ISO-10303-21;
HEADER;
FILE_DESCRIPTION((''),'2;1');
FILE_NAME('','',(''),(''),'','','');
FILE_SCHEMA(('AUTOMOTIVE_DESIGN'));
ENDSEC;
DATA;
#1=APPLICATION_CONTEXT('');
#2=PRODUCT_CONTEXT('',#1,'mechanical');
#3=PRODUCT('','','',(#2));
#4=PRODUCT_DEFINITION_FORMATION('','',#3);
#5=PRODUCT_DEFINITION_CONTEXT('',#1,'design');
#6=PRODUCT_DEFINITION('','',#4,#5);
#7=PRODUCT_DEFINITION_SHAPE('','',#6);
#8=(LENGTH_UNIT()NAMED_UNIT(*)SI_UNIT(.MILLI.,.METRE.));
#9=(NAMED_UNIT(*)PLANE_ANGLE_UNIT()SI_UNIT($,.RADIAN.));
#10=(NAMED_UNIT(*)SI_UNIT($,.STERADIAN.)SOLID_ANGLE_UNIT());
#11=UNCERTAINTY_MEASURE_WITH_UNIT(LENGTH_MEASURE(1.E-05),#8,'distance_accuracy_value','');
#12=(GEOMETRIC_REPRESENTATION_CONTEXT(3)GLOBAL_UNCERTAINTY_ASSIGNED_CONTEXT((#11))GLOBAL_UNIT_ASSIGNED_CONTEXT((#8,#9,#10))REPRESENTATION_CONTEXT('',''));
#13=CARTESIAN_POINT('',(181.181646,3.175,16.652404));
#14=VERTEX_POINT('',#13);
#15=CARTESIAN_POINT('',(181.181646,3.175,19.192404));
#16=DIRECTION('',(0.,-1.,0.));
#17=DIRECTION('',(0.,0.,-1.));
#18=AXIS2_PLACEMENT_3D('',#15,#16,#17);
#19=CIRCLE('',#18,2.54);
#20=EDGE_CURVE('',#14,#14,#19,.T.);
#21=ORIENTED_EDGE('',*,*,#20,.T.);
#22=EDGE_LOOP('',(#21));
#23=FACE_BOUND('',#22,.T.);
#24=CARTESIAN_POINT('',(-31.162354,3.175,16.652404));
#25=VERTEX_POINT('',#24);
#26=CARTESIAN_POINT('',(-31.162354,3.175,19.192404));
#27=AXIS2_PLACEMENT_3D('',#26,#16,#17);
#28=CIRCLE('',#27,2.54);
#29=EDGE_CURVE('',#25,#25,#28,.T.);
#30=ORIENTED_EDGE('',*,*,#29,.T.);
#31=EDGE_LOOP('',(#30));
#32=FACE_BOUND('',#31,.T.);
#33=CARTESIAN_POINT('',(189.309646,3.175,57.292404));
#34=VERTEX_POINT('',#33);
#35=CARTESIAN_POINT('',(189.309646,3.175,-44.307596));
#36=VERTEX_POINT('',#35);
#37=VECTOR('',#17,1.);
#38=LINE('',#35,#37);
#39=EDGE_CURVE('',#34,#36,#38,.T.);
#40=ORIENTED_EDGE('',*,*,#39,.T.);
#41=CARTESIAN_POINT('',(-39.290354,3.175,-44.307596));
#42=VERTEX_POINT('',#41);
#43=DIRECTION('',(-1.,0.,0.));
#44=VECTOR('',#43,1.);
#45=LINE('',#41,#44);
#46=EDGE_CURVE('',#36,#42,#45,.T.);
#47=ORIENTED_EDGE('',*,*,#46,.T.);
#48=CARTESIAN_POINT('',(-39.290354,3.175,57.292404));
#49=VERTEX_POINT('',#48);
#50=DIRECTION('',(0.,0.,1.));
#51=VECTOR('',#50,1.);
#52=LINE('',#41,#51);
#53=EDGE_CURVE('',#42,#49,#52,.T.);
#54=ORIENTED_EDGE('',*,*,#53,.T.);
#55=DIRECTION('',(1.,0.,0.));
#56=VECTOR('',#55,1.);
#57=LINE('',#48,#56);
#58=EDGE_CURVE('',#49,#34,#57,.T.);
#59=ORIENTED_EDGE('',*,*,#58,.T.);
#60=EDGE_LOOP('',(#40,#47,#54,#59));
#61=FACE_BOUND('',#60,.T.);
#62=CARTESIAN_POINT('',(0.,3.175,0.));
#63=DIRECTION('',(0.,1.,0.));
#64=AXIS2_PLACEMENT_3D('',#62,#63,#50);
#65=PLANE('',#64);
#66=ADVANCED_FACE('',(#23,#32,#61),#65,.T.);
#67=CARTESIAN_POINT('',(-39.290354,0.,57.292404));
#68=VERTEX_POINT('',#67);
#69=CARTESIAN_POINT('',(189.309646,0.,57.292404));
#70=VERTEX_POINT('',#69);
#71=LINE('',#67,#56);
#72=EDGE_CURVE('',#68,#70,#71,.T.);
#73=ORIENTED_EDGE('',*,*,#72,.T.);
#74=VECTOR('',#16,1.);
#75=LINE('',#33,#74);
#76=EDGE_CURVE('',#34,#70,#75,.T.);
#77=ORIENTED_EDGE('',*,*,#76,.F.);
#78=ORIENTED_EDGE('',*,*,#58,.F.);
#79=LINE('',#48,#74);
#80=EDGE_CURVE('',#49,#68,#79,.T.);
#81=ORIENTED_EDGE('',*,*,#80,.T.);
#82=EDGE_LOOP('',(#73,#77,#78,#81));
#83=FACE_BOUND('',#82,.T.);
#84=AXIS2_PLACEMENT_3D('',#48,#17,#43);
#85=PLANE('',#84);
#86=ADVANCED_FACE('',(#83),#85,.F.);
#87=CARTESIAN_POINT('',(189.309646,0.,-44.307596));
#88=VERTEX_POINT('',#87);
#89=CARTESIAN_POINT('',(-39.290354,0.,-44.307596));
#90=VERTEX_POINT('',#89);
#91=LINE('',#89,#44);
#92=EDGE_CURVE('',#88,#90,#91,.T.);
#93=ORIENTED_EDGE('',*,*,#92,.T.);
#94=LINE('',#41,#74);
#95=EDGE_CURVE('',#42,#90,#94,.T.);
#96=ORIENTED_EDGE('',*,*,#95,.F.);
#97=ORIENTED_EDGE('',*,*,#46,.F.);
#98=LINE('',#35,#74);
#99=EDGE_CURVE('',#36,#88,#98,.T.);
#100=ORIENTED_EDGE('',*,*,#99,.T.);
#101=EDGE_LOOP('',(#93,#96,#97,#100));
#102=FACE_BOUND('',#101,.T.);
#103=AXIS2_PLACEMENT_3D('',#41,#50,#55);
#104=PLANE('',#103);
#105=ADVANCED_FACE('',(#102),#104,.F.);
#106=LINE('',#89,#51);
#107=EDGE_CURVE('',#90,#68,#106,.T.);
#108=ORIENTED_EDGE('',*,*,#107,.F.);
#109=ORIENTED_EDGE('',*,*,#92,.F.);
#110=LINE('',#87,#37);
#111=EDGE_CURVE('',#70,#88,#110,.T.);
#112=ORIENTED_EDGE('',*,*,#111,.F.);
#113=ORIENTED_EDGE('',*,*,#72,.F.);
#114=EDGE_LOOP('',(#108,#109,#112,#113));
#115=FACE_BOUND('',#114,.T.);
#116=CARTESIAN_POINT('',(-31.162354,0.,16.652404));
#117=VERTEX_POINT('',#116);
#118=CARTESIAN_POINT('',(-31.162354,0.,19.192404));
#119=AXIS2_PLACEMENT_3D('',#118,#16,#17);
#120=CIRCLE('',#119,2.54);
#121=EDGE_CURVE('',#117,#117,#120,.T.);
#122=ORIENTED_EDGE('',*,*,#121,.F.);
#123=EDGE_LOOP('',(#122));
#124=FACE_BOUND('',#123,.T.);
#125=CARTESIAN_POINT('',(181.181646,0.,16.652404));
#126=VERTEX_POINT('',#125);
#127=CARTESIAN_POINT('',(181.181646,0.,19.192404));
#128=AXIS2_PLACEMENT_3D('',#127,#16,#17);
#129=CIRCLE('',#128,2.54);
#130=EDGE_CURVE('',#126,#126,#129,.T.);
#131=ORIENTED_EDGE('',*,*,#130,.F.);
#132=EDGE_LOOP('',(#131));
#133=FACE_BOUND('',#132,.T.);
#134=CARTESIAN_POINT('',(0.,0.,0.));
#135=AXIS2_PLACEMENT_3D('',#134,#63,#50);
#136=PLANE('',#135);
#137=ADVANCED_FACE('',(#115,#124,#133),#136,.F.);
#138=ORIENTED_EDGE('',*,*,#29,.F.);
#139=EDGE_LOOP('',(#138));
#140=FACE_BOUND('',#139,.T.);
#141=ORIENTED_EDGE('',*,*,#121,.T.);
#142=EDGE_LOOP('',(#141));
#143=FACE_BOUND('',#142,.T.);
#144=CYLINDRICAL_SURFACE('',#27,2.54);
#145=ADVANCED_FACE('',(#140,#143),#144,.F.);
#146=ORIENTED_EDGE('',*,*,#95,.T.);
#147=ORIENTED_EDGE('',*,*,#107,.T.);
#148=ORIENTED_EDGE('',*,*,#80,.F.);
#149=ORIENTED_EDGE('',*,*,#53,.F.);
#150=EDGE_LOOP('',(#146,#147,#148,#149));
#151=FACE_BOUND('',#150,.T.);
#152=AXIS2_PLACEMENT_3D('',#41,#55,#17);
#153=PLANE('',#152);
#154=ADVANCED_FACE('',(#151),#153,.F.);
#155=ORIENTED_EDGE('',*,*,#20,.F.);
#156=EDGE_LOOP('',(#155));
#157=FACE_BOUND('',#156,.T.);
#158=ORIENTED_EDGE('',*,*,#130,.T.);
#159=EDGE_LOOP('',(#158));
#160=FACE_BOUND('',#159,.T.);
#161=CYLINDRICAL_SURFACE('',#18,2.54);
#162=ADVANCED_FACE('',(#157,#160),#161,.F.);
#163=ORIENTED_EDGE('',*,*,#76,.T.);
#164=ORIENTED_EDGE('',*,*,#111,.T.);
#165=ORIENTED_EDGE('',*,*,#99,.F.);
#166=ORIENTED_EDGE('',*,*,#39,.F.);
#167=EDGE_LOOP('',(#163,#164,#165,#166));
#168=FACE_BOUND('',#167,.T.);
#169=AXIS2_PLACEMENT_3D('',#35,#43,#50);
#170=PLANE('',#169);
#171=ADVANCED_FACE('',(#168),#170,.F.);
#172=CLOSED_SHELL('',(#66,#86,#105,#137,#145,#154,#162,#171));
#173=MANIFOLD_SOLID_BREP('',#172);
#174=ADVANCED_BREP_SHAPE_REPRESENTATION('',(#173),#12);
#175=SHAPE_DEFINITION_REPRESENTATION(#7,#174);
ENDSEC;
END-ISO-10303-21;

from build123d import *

# Parameters (mm, degrees)
SKETCH1_W           = 228.6
SKETCH1_H           = 101.6
BOSS_EXTRUDE1_DEPTH = 3.175
SKETCH2_R           = 2.54
CUT_EXTRUDE1_DEPTH  = 3.175


with BuildPart() as part:
    # Sketch1 → Boss-Extrude1 (new body)
    with BuildSketch(Plane(origin=(0, 0, 0), x_dir=(1, 0, 0), z_dir=(0, 1, 0))):
        with Locations((75.00964568, -6.4924035)):
            Rectangle(SKETCH1_W, SKETCH1_H)
    extrude(amount=BOSS_EXTRUDE1_DEPTH)

    # Sketch2 → Cut-Extrude1 (cut)
    with BuildSketch(Plane(origin=(0, 0, 0), x_dir=(-1, 0, 0), z_dir=(0, -1, 0))):
        with Locations(Location((31.16235432, -19.1924035, 0), (0, 0, 90))):
            Circle(SKETCH2_R)
        with Locations(Location((-181.18164568, -19.1924035, 0), (0, 0, 90))):
            Circle(SKETCH2_R)
    extrude(amount=-CUT_EXTRUDE1_DEPTH, mode=Mode.SUBTRACT)


solid = part.part
